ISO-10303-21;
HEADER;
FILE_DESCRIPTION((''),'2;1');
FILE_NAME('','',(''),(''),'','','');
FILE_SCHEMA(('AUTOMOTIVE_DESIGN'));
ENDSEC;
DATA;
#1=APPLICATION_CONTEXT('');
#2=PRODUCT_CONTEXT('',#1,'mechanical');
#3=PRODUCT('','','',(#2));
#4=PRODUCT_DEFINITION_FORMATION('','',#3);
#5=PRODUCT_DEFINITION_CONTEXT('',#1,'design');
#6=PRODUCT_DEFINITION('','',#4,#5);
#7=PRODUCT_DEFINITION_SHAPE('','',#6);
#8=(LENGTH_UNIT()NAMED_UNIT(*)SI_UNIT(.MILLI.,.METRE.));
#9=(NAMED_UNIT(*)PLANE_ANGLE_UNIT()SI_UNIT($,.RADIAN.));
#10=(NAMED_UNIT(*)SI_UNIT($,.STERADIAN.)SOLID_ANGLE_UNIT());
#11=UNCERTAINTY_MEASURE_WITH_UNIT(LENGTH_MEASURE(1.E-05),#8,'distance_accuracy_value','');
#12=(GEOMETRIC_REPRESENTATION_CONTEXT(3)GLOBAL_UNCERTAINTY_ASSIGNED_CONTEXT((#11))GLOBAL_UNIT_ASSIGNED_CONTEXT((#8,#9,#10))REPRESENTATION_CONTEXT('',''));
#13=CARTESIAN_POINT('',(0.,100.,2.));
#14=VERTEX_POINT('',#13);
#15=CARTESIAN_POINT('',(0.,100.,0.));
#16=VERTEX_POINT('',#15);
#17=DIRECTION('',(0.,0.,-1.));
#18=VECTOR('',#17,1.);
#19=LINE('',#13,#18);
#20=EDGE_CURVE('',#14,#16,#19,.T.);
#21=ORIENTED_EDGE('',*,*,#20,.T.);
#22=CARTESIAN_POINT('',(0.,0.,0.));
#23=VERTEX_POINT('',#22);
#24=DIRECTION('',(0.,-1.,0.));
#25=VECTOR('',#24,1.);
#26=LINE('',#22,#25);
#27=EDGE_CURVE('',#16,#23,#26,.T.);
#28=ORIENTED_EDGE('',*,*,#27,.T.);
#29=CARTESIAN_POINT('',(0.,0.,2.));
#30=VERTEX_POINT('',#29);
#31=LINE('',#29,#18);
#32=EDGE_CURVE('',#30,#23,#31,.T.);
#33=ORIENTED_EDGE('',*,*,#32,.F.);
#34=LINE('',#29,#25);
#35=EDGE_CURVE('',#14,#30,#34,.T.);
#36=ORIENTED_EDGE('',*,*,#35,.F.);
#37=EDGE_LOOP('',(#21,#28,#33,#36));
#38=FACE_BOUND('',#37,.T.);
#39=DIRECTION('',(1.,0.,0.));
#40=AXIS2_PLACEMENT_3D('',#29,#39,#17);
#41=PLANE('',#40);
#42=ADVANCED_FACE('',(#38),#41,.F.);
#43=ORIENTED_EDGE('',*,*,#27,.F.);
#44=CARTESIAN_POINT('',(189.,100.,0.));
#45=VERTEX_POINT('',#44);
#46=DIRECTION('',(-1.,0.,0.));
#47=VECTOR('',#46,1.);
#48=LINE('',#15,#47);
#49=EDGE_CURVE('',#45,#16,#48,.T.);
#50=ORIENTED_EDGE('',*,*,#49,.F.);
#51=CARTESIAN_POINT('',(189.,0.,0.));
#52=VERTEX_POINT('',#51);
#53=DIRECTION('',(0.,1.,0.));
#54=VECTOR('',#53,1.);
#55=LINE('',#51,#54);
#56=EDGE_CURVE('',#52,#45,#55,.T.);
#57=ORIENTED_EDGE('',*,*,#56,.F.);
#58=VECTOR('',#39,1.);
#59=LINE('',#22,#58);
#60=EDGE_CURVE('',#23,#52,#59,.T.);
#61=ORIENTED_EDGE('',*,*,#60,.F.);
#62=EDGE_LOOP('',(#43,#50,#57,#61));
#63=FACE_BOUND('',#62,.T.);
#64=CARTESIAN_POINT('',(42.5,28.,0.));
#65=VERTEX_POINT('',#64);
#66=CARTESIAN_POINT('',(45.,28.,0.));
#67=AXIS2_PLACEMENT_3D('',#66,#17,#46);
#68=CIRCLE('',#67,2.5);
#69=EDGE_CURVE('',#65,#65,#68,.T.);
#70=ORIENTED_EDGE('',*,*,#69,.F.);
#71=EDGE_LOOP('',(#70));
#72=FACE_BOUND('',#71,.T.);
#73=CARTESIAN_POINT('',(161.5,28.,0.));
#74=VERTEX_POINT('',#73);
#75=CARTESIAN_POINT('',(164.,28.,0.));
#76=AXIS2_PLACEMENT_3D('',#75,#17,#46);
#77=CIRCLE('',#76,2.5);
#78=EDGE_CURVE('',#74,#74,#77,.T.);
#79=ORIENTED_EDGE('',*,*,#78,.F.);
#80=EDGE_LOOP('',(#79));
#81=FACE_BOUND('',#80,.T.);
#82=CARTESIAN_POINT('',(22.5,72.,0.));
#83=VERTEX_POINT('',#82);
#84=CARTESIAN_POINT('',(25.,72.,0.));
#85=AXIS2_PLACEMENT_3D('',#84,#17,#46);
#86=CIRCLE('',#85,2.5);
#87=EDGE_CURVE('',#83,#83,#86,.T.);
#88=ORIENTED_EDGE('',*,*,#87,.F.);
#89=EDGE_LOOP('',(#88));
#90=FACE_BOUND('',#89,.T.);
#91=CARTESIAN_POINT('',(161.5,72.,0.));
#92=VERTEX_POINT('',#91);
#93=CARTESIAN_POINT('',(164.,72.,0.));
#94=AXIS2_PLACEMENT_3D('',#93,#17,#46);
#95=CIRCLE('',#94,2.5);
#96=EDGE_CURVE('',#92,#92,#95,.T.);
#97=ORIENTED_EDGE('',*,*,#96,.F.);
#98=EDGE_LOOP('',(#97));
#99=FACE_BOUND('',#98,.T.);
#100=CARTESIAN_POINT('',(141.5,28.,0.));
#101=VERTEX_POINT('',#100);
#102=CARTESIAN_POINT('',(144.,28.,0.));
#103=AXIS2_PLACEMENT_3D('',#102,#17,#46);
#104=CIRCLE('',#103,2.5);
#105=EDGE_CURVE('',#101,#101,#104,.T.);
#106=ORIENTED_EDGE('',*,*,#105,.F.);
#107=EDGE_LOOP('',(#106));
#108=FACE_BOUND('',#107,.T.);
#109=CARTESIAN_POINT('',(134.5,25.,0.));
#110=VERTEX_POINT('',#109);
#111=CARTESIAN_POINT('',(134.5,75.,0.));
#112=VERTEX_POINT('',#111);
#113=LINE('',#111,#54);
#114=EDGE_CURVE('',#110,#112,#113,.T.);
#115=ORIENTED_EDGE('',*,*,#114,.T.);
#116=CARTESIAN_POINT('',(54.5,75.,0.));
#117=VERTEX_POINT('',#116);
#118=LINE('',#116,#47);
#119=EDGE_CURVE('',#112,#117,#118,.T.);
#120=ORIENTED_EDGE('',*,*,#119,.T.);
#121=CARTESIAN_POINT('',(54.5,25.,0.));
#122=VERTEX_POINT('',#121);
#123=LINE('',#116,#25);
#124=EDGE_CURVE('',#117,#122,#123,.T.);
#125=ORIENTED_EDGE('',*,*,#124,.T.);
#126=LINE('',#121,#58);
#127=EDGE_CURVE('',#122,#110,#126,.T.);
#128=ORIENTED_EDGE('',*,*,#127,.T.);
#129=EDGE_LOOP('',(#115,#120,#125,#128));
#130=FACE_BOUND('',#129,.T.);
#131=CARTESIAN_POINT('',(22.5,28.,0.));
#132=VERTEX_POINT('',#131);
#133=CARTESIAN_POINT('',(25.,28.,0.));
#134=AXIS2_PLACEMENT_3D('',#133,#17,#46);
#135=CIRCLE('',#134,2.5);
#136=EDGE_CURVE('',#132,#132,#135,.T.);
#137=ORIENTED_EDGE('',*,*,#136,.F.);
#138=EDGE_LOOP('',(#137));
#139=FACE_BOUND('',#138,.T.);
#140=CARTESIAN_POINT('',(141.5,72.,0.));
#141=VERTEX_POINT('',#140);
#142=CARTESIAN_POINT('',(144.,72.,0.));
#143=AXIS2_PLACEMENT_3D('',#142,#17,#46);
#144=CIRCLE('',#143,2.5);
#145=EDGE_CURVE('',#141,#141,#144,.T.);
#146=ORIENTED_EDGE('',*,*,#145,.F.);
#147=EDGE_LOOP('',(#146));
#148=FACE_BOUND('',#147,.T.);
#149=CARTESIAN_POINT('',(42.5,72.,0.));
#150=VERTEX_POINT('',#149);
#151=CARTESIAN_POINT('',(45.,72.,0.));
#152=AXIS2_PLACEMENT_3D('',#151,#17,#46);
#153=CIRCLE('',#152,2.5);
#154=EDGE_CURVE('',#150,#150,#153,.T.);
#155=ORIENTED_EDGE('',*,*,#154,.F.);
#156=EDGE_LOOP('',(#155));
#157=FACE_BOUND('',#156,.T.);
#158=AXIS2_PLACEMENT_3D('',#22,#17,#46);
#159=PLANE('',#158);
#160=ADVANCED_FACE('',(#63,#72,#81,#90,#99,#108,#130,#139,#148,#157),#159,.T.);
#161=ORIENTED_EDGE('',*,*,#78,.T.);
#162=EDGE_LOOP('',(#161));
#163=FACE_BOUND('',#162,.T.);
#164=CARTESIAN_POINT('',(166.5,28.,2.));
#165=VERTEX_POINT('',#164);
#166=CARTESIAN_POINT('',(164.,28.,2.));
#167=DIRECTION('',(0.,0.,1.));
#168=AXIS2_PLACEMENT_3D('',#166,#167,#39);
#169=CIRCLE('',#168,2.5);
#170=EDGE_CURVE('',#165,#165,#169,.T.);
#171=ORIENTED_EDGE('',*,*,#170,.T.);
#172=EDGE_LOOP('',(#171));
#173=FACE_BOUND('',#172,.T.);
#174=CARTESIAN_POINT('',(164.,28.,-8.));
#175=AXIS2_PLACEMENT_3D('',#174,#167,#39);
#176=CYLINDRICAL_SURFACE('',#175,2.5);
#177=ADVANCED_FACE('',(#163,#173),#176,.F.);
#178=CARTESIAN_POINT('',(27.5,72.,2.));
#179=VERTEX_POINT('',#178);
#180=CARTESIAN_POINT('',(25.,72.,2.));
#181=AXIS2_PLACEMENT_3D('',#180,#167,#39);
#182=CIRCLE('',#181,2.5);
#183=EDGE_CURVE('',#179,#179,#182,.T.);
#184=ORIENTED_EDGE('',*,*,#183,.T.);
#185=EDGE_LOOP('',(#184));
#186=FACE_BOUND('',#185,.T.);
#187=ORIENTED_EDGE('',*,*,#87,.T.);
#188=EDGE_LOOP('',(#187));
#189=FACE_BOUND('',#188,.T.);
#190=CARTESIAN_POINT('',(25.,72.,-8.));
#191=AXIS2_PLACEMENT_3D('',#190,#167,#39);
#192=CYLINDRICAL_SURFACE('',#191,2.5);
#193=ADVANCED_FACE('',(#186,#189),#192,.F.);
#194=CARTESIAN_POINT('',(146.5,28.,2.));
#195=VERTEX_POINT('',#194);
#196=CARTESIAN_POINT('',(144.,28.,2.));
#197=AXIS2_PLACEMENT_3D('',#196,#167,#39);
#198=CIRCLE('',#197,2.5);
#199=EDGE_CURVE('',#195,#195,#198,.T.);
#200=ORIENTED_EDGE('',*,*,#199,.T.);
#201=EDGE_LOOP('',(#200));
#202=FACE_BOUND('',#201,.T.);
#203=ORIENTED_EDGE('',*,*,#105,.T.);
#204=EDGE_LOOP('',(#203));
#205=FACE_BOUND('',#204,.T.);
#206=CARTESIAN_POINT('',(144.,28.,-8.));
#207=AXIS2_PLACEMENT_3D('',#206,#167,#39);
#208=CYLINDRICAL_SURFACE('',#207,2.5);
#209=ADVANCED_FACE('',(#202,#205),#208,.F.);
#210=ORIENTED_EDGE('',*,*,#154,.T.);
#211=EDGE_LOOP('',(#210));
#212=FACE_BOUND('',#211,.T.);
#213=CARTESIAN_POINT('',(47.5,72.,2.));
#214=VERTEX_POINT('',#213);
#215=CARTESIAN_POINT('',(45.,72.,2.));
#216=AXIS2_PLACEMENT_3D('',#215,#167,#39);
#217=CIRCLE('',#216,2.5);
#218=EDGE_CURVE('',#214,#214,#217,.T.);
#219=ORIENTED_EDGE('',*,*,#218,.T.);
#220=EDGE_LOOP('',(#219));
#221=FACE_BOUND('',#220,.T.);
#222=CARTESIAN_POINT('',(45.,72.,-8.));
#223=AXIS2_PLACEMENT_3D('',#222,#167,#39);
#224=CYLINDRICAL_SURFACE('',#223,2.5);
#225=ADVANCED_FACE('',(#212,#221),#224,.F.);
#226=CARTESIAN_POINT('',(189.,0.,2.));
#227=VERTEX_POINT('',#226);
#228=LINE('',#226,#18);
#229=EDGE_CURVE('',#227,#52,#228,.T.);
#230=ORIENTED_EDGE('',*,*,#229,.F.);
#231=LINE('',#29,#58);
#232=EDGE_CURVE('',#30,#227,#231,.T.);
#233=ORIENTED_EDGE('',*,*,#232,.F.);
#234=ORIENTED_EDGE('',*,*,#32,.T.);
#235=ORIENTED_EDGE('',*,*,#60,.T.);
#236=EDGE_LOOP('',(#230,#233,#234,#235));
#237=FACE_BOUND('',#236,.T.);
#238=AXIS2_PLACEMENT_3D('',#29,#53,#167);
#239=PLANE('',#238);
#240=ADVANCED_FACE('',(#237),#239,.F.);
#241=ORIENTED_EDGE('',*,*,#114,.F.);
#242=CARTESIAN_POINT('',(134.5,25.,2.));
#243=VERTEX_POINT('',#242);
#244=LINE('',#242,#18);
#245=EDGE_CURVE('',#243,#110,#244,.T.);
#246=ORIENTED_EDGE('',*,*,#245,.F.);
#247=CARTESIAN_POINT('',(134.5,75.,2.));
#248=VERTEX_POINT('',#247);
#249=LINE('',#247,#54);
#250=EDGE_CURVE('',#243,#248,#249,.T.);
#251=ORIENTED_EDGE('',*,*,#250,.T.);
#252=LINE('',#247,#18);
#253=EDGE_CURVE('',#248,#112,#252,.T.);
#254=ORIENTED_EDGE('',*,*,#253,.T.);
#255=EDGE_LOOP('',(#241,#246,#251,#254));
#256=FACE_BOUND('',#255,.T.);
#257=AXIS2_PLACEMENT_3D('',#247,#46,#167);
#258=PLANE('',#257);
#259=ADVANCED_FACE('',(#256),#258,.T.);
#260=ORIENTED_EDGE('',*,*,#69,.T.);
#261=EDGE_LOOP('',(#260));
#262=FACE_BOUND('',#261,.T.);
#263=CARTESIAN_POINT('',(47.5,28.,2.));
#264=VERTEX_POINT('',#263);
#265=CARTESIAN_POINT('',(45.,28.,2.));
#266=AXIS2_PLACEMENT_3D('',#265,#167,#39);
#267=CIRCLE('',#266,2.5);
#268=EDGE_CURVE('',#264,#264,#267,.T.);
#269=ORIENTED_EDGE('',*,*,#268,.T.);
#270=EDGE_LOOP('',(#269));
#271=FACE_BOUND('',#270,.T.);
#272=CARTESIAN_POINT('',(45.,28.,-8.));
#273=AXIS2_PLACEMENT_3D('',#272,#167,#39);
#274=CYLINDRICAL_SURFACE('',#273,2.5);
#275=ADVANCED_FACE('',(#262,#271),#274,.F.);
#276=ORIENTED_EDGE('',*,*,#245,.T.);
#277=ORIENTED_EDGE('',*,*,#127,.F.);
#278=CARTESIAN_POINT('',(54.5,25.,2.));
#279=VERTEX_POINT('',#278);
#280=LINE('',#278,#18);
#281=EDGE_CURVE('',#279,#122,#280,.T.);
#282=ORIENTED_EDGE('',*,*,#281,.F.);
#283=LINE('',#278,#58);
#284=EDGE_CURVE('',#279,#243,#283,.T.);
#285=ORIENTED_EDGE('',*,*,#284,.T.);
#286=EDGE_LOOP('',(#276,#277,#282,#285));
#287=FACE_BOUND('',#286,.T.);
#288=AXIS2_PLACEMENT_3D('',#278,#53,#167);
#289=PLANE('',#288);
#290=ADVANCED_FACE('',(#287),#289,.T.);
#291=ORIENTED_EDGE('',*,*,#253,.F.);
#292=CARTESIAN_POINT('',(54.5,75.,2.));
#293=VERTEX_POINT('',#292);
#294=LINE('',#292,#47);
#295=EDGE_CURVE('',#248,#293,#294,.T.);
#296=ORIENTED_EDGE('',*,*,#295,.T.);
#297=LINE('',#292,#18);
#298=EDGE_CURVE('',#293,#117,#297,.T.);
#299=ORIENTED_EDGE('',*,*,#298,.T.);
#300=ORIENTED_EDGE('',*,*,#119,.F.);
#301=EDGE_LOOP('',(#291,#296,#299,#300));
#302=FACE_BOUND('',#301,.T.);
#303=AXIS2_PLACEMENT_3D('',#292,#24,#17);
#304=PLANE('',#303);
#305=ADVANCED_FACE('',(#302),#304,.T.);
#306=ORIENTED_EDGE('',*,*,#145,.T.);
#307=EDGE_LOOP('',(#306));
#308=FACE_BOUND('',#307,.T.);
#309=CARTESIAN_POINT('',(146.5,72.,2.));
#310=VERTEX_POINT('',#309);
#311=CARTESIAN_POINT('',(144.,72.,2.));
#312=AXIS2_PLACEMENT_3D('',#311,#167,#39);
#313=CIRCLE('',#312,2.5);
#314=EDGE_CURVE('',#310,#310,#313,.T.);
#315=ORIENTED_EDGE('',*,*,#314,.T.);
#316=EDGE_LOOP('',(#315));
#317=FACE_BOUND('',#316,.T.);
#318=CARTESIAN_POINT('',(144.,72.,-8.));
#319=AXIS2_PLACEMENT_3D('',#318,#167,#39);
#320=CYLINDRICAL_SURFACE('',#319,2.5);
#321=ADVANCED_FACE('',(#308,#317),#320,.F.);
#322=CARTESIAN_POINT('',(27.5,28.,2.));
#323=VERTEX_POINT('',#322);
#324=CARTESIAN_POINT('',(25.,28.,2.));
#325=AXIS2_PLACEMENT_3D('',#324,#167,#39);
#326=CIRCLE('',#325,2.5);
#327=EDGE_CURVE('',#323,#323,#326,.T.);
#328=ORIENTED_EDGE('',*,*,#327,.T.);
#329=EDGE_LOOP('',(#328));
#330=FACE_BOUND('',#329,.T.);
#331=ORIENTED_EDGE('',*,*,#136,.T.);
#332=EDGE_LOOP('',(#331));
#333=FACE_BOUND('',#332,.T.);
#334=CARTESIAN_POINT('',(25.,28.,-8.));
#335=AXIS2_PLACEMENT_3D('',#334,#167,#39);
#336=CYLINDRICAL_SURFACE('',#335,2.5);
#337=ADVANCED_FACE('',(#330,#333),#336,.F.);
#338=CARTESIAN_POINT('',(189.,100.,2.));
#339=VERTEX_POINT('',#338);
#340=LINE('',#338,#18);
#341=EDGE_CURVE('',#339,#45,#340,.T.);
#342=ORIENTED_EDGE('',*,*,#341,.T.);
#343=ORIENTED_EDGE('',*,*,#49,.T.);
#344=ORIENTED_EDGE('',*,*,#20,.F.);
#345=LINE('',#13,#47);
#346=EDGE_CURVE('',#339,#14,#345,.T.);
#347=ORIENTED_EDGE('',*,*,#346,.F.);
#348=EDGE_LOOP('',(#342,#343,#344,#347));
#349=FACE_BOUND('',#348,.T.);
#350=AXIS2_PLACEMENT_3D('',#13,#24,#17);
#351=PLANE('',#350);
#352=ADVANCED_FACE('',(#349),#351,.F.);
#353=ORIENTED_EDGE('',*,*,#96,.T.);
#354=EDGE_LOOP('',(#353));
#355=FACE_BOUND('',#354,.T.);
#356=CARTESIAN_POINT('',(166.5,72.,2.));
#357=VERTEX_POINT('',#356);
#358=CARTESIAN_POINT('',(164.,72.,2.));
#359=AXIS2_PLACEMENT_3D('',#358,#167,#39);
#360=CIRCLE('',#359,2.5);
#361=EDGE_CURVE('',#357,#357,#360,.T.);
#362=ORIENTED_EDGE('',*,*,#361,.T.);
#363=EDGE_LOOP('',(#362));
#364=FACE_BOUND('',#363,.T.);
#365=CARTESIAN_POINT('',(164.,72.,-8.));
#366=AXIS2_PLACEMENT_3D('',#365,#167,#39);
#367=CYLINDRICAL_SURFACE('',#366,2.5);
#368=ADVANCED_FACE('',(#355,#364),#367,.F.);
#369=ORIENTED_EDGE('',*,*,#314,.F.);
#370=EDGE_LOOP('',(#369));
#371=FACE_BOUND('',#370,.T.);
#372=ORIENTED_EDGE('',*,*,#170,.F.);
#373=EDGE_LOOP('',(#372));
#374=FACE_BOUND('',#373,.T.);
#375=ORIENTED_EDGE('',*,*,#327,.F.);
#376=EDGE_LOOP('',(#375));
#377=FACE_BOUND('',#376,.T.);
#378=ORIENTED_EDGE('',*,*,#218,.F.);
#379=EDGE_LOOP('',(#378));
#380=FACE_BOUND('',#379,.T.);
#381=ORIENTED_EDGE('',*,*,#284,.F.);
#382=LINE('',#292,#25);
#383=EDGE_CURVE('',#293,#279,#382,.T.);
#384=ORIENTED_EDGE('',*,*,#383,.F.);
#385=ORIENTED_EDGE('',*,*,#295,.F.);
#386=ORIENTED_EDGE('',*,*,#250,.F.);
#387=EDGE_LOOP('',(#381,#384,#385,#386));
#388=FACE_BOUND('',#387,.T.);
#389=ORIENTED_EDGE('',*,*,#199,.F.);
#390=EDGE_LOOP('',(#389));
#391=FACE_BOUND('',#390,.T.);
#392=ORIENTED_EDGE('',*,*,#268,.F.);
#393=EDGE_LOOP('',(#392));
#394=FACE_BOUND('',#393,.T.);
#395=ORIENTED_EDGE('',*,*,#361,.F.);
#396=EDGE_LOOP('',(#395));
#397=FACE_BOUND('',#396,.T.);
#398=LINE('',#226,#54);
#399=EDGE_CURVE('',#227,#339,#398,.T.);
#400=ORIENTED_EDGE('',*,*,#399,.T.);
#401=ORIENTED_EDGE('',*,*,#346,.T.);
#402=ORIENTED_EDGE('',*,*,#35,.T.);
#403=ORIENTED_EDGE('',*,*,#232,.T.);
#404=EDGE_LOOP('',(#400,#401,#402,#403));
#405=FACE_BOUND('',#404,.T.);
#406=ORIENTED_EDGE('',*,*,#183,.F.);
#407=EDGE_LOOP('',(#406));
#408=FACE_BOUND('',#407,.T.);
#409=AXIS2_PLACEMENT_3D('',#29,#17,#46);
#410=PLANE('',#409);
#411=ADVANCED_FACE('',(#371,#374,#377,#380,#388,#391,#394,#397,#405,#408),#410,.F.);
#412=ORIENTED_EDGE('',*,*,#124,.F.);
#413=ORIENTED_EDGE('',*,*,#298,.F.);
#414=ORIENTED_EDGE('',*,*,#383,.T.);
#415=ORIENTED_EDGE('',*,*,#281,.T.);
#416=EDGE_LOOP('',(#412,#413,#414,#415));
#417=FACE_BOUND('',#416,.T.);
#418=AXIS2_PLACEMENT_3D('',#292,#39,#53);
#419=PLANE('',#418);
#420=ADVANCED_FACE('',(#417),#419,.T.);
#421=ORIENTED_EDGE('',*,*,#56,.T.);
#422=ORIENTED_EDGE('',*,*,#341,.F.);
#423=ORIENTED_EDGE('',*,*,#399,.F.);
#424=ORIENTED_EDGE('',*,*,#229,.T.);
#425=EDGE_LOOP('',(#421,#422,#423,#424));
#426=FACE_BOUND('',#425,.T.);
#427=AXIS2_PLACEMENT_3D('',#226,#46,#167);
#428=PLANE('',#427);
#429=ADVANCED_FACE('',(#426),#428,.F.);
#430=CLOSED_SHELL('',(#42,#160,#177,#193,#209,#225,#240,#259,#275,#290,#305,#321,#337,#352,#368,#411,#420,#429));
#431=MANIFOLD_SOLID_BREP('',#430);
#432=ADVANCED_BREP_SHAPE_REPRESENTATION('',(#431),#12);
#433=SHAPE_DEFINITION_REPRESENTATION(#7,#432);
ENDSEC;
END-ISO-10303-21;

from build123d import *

# Parameters (mm, degrees)
SKETCH1_W           = 189
SKETCH1_H           = 100
SKETCH1_W_2         = 80
SKETCH1_H_2         = 50
BOSS_EXTRUDE1_DEPTH = 2
SKETCH2_R           = 2.5
CUT_EXTRUDE1_DEPTH  = 10


with BuildPart() as part:
    # Sketch1 → Boss-Extrude1 (new body)
    with BuildSketch(Plane.XY):
        with Locations((94.5, 50)):
            Rectangle(SKETCH1_W, SKETCH1_H)
        with Locations((94.5, 50)):
            Rectangle(SKETCH1_W_2, SKETCH1_H_2, mode=Mode.SUBTRACT)
    extrude(amount=BOSS_EXTRUDE1_DEPTH)

    # Sketch2 → Cut-Extrude1 (cut)
    with BuildSketch(Plane.XY.offset(2)):
        with Locations((25, 72)):
            Circle(SKETCH2_R)
        with Locations((45, 72)):
            Circle(SKETCH2_R)
        with Locations((25, 28)):
            Circle(SKETCH2_R)
        with Locations((45, 28)):
            Circle(SKETCH2_R)
        with Locations((144, 72)):
            Circle(SKETCH2_R)
        with Locations((164, 72)):
            Circle(SKETCH2_R)
        with Locations((144, 28)):
            Circle(SKETCH2_R)
        with Locations((164, 28)):
            Circle(SKETCH2_R)
    extrude(amount=-CUT_EXTRUDE1_DEPTH, mode=Mode.SUBTRACT)


solid = part.part
